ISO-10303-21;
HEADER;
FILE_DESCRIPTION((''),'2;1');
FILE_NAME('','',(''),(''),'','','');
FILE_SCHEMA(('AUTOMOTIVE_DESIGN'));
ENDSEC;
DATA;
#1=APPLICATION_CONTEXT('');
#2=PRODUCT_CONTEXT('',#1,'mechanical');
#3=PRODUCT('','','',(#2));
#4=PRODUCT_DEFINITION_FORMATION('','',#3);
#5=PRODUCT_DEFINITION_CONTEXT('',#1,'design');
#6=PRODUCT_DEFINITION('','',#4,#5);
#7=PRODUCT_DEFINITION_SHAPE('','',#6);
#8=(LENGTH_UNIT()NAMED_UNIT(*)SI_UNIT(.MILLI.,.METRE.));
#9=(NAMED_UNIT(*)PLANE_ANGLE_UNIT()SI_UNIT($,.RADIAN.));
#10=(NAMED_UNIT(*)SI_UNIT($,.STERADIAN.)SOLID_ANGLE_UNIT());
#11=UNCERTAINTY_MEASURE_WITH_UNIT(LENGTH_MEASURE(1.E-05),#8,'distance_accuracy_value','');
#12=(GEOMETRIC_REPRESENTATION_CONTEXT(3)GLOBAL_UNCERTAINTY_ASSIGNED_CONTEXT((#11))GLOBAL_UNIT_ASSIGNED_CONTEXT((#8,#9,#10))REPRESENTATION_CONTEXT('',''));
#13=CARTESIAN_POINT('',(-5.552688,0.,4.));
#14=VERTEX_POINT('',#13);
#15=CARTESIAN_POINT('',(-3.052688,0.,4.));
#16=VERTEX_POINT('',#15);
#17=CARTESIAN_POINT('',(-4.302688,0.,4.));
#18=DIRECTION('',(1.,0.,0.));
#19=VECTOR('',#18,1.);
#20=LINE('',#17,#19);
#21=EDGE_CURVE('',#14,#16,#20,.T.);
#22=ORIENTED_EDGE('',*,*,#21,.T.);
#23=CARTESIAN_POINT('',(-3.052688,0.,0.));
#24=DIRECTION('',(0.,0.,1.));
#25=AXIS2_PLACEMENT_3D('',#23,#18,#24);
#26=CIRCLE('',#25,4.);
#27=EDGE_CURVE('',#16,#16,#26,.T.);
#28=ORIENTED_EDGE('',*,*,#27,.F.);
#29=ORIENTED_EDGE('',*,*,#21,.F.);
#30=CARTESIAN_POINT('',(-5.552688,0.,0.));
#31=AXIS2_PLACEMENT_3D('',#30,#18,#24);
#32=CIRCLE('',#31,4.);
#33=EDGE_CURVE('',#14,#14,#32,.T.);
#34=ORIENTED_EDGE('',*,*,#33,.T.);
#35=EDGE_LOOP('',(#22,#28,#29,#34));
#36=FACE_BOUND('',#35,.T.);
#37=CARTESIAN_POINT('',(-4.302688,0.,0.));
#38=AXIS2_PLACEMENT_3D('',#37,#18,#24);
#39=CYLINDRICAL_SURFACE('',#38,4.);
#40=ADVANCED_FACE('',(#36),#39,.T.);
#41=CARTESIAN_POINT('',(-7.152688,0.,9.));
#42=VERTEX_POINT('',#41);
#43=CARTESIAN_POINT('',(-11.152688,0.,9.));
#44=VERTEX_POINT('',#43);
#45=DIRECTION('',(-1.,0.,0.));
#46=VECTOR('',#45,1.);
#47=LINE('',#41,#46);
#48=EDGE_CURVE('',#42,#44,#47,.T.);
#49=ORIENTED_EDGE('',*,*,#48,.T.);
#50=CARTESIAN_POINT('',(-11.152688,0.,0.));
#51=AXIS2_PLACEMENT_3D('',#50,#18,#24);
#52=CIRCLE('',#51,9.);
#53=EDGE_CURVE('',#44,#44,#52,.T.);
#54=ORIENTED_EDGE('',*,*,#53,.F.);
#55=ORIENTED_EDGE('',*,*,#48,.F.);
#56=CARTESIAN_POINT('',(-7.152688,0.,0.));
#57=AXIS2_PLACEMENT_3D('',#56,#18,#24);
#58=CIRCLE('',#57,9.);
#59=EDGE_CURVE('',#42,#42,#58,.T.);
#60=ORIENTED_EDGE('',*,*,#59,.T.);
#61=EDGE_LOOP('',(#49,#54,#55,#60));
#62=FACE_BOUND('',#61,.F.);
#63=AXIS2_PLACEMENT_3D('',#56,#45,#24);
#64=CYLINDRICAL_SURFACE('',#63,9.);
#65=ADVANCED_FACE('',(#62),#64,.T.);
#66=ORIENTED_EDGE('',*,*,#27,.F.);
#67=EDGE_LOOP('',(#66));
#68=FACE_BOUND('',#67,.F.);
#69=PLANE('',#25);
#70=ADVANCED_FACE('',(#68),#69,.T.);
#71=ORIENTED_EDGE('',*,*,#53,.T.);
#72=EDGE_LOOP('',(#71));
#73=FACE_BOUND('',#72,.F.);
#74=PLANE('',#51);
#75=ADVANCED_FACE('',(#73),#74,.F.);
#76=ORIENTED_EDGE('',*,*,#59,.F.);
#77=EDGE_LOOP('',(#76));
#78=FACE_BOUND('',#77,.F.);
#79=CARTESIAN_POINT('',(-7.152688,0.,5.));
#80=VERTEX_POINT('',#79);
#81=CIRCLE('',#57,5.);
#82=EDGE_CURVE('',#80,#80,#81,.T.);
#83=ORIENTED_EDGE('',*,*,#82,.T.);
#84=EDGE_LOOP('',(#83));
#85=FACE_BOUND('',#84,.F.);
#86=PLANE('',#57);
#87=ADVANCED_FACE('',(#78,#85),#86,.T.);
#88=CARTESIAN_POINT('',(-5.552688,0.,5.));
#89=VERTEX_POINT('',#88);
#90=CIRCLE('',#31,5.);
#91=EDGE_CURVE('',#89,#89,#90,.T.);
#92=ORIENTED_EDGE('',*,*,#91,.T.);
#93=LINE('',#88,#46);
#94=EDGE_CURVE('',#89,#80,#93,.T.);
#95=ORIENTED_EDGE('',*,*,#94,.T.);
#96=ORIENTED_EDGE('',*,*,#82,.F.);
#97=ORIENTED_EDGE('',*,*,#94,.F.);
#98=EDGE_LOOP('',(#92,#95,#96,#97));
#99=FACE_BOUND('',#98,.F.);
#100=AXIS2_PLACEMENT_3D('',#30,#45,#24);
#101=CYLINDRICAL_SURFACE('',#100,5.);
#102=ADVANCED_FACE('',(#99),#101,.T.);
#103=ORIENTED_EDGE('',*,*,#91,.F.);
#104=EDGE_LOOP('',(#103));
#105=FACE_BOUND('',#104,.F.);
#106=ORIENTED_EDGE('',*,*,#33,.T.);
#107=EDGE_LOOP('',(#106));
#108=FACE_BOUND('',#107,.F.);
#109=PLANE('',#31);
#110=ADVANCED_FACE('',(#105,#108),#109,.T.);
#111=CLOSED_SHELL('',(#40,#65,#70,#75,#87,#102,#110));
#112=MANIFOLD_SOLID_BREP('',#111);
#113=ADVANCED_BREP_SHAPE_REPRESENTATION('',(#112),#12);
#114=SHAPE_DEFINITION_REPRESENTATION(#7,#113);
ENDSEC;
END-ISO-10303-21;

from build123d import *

# Parameters (mm, degrees)
F0_W = 2.5
F0_H = 4


with BuildPart() as f1:
    # F0 (on Front) → F1 (revolve)
    with BuildSketch(Plane.XZ):
        Polygon((-7.152688, 5), (-7.152688, 0), (-5.552688, 0), (-5.552688, 4), (-5.552688, 5), align=None)
        Polygon((-11.152688, 0), (-7.152688, 0), (-7.152688, 5), (-7.152688, 9), (-11.152688, 9), (-11.152688, 8.198828), align=None)
        with Locations((-4.302688, 2)):
            Rectangle(F0_W, F0_H)
    revolve(axis=Axis((-2.808182, 0, 0), (1, 0, 0)))


solid = f1.part
